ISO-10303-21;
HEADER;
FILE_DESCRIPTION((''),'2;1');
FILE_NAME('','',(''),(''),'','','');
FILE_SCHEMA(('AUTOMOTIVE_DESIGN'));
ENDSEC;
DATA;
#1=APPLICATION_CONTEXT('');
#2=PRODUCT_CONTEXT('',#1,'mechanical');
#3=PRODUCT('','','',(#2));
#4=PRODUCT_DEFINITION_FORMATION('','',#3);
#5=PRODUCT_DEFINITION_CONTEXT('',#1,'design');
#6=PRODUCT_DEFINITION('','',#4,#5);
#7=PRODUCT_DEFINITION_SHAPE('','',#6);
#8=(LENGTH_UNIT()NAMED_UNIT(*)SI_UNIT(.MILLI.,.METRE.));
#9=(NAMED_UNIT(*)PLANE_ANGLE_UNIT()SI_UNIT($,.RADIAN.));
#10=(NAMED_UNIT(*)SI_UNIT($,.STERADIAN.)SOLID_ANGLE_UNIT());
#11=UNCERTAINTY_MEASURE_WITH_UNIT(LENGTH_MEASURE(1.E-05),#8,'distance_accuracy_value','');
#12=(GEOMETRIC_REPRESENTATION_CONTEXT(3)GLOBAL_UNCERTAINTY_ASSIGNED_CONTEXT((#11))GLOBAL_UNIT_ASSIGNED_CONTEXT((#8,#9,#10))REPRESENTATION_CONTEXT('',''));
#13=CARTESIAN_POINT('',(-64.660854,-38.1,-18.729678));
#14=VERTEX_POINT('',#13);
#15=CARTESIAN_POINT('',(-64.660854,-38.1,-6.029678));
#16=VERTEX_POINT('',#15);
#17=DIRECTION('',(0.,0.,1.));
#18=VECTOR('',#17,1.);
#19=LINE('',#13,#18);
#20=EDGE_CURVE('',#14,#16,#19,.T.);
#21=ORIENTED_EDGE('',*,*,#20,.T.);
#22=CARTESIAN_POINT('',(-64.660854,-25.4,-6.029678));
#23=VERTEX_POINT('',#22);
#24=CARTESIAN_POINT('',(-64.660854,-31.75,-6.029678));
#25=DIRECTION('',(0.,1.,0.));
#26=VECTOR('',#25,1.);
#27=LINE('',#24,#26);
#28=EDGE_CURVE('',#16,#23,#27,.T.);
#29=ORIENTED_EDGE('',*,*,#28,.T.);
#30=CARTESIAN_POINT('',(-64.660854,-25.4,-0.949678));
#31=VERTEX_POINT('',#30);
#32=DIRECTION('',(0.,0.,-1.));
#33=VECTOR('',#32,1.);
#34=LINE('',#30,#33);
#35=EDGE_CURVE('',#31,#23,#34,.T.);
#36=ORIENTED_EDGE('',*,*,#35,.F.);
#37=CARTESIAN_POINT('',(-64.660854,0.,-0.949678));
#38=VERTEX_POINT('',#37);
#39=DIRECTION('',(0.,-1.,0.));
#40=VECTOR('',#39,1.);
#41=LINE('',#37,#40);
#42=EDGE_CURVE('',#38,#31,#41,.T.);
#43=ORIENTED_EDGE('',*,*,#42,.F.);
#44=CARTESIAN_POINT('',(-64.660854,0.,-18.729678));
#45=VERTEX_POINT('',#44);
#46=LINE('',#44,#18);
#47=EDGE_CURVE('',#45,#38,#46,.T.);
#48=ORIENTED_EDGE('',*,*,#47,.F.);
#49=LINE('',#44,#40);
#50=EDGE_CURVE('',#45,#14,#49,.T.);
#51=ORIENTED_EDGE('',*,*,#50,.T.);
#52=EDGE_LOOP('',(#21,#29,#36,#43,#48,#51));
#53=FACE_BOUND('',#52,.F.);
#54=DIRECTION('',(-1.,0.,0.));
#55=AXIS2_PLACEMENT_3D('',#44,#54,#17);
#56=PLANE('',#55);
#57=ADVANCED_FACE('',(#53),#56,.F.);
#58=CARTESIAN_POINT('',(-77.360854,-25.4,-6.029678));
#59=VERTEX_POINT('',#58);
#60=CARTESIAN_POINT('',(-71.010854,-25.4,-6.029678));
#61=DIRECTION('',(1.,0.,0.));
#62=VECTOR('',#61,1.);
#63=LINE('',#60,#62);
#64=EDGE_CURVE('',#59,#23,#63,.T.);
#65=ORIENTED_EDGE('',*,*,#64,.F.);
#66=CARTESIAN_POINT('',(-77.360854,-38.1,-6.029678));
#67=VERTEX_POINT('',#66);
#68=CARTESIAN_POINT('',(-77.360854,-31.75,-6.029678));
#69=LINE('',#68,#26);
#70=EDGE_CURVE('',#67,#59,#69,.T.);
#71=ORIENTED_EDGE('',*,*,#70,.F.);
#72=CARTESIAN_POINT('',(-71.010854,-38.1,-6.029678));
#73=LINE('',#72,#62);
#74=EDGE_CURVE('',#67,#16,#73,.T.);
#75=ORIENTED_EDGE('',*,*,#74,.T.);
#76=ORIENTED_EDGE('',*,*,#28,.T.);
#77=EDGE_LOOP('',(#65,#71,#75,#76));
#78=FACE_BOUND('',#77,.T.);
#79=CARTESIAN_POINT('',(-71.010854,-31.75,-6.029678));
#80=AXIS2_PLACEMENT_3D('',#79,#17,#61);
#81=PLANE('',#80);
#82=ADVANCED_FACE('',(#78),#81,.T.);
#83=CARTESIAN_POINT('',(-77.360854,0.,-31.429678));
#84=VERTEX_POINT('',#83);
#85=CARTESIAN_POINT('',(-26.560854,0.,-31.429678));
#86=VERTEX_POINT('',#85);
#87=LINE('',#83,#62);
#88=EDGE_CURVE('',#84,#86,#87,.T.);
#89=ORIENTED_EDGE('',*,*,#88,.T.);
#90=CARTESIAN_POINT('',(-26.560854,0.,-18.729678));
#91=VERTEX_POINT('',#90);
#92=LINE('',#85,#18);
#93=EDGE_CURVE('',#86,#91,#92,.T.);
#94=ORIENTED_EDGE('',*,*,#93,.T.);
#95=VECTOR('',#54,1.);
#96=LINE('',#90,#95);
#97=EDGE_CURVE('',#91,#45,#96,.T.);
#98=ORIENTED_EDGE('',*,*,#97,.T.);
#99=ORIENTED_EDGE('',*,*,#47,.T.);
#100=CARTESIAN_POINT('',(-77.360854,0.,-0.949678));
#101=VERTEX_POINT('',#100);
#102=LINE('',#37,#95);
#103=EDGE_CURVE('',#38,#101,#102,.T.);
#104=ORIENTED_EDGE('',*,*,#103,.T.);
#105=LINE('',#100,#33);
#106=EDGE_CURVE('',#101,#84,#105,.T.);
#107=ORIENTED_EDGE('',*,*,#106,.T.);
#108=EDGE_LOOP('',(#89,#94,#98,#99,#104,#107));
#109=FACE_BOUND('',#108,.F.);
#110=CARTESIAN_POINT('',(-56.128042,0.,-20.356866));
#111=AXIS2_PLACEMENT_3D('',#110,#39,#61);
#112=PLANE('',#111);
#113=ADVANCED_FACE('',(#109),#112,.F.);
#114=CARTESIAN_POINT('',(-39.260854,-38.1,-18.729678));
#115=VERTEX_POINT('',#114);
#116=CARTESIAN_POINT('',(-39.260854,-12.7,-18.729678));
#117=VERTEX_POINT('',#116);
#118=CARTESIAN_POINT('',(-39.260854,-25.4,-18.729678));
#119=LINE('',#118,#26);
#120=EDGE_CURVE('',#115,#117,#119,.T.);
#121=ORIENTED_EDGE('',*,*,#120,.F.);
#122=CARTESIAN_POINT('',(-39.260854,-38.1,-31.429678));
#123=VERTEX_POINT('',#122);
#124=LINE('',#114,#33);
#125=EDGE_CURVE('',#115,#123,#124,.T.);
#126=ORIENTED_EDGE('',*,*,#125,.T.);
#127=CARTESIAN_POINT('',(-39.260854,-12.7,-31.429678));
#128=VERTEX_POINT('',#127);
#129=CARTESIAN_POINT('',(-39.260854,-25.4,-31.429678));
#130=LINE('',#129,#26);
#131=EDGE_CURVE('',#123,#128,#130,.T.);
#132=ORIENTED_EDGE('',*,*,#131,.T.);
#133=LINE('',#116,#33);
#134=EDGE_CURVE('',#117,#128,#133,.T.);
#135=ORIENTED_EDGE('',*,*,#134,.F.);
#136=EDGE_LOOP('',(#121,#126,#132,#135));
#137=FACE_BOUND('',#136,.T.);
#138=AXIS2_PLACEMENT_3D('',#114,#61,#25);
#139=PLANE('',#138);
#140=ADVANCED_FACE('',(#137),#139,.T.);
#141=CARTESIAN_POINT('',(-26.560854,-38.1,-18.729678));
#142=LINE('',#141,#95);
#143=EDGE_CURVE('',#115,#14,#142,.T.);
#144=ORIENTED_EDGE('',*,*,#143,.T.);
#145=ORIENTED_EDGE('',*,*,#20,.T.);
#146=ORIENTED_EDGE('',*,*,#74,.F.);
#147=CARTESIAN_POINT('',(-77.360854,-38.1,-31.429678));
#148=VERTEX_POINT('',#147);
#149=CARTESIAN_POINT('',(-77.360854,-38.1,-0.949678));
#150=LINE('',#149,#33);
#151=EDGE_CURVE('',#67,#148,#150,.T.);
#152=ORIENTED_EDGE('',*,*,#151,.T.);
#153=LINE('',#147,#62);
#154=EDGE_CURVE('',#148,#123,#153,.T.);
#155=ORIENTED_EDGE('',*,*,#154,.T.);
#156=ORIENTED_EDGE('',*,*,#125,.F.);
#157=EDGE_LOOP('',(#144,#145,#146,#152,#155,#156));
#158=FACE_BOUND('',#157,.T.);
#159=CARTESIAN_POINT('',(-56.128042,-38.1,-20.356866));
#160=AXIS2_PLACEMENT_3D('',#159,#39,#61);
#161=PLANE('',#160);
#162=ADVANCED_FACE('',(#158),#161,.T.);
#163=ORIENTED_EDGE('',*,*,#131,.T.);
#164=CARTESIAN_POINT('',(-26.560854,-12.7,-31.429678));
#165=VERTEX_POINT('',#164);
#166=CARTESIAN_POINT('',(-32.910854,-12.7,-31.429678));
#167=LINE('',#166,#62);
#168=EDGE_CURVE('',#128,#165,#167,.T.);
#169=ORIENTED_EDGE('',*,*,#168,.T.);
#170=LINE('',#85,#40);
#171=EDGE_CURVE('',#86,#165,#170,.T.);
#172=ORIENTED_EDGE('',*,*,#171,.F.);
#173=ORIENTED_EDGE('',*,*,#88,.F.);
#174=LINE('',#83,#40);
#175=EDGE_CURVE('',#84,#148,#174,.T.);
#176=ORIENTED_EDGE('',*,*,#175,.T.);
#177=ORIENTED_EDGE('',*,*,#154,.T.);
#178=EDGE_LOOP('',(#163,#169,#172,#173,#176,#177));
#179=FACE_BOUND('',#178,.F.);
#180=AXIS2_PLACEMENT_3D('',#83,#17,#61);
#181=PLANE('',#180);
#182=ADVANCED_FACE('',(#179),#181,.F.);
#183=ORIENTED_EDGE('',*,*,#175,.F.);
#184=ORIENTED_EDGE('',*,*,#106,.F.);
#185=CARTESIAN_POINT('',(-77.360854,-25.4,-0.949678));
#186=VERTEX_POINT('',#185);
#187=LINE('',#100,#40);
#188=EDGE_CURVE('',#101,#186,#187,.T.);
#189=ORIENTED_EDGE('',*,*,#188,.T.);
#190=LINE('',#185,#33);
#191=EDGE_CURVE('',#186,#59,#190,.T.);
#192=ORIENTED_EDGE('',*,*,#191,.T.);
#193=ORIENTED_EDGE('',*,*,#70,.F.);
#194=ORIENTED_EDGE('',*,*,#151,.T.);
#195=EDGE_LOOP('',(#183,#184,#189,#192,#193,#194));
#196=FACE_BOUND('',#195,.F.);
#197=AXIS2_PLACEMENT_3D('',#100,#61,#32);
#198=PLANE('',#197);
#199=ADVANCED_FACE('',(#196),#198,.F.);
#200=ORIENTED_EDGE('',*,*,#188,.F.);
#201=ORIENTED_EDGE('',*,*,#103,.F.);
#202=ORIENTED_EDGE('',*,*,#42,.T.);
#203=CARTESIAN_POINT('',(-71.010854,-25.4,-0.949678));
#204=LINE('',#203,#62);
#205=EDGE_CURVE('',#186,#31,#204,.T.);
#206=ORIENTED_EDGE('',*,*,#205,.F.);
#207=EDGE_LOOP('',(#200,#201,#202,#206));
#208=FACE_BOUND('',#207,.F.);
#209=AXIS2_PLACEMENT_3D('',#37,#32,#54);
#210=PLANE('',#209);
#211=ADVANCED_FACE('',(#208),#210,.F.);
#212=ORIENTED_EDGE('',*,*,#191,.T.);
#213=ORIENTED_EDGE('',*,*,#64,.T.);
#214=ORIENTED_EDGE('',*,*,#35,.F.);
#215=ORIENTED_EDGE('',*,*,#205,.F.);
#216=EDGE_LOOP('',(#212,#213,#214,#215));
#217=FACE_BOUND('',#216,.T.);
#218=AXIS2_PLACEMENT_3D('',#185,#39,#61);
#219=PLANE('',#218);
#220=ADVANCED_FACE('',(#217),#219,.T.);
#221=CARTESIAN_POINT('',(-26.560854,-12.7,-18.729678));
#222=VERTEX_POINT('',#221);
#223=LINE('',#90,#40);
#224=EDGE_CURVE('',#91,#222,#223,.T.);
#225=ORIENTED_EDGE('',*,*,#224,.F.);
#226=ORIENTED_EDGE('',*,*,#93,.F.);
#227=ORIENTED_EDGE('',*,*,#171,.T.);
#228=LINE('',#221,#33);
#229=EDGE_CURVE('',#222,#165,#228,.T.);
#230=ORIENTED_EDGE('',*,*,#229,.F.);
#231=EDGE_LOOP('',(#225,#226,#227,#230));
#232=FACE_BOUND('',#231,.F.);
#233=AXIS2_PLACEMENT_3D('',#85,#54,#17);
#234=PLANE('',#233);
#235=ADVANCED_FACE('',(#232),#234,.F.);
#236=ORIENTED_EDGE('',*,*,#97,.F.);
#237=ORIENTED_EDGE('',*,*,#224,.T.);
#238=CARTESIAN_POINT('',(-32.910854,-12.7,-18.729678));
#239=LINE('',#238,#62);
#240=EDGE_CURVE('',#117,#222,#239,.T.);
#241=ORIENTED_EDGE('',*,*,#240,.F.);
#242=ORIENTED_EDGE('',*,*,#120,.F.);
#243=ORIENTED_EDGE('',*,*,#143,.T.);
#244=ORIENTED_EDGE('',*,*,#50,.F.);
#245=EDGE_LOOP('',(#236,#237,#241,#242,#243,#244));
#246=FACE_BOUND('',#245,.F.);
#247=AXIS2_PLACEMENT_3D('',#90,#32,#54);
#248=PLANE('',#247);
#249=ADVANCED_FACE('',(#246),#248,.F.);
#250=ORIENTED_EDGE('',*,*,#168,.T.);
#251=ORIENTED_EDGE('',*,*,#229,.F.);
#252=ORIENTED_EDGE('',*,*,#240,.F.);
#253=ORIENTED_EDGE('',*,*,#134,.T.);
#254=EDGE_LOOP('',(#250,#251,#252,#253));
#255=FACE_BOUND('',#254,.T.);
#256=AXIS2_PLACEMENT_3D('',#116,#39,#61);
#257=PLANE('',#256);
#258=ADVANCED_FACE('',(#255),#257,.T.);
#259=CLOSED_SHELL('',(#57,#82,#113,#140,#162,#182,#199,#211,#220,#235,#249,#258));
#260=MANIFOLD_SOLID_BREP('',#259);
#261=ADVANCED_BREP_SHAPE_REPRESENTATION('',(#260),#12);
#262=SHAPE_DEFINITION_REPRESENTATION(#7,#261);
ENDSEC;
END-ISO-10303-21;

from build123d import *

# Parameters (mm, degrees)
F1_DEPTH = 38.1
F2_W     = 12.7
F2_H     = 12.7
F3_DEPTH = 5.08
F4_W     = 12.7
F4_H     = 25.4
F5_DEPTH = 12.7


with BuildPart() as f1:
    # F0 (on Front) → F1 (new body)
    with BuildSketch(Plane.XZ):
        Polygon((-77.360854, -0.949678), (-77.360854, -31.429678), (-26.560854, -31.429678), (-26.560854, -18.729678), (-64.660854, -18.729678), (-64.660854, -0.949678), align=None)
    extrude(amount=F1_DEPTH)

    # F2 (on face) → F3 (cut)
    with BuildSketch(Plane.XY.offset(-0.949678)):
        with Locations((-71.010854, -31.75)):
            Rectangle(F2_W, F2_H)
    extrude(amount=-F3_DEPTH, mode=Mode.SUBTRACT)

    # F4 (on face) → F5 (cut)
    with BuildSketch(Plane.XY.offset(-18.729678)):
        with Locations((-32.910854, -25.4)):
            Rectangle(F4_W, F4_H)
    extrude(amount=-F5_DEPTH, mode=Mode.SUBTRACT)


solid = f1.part
